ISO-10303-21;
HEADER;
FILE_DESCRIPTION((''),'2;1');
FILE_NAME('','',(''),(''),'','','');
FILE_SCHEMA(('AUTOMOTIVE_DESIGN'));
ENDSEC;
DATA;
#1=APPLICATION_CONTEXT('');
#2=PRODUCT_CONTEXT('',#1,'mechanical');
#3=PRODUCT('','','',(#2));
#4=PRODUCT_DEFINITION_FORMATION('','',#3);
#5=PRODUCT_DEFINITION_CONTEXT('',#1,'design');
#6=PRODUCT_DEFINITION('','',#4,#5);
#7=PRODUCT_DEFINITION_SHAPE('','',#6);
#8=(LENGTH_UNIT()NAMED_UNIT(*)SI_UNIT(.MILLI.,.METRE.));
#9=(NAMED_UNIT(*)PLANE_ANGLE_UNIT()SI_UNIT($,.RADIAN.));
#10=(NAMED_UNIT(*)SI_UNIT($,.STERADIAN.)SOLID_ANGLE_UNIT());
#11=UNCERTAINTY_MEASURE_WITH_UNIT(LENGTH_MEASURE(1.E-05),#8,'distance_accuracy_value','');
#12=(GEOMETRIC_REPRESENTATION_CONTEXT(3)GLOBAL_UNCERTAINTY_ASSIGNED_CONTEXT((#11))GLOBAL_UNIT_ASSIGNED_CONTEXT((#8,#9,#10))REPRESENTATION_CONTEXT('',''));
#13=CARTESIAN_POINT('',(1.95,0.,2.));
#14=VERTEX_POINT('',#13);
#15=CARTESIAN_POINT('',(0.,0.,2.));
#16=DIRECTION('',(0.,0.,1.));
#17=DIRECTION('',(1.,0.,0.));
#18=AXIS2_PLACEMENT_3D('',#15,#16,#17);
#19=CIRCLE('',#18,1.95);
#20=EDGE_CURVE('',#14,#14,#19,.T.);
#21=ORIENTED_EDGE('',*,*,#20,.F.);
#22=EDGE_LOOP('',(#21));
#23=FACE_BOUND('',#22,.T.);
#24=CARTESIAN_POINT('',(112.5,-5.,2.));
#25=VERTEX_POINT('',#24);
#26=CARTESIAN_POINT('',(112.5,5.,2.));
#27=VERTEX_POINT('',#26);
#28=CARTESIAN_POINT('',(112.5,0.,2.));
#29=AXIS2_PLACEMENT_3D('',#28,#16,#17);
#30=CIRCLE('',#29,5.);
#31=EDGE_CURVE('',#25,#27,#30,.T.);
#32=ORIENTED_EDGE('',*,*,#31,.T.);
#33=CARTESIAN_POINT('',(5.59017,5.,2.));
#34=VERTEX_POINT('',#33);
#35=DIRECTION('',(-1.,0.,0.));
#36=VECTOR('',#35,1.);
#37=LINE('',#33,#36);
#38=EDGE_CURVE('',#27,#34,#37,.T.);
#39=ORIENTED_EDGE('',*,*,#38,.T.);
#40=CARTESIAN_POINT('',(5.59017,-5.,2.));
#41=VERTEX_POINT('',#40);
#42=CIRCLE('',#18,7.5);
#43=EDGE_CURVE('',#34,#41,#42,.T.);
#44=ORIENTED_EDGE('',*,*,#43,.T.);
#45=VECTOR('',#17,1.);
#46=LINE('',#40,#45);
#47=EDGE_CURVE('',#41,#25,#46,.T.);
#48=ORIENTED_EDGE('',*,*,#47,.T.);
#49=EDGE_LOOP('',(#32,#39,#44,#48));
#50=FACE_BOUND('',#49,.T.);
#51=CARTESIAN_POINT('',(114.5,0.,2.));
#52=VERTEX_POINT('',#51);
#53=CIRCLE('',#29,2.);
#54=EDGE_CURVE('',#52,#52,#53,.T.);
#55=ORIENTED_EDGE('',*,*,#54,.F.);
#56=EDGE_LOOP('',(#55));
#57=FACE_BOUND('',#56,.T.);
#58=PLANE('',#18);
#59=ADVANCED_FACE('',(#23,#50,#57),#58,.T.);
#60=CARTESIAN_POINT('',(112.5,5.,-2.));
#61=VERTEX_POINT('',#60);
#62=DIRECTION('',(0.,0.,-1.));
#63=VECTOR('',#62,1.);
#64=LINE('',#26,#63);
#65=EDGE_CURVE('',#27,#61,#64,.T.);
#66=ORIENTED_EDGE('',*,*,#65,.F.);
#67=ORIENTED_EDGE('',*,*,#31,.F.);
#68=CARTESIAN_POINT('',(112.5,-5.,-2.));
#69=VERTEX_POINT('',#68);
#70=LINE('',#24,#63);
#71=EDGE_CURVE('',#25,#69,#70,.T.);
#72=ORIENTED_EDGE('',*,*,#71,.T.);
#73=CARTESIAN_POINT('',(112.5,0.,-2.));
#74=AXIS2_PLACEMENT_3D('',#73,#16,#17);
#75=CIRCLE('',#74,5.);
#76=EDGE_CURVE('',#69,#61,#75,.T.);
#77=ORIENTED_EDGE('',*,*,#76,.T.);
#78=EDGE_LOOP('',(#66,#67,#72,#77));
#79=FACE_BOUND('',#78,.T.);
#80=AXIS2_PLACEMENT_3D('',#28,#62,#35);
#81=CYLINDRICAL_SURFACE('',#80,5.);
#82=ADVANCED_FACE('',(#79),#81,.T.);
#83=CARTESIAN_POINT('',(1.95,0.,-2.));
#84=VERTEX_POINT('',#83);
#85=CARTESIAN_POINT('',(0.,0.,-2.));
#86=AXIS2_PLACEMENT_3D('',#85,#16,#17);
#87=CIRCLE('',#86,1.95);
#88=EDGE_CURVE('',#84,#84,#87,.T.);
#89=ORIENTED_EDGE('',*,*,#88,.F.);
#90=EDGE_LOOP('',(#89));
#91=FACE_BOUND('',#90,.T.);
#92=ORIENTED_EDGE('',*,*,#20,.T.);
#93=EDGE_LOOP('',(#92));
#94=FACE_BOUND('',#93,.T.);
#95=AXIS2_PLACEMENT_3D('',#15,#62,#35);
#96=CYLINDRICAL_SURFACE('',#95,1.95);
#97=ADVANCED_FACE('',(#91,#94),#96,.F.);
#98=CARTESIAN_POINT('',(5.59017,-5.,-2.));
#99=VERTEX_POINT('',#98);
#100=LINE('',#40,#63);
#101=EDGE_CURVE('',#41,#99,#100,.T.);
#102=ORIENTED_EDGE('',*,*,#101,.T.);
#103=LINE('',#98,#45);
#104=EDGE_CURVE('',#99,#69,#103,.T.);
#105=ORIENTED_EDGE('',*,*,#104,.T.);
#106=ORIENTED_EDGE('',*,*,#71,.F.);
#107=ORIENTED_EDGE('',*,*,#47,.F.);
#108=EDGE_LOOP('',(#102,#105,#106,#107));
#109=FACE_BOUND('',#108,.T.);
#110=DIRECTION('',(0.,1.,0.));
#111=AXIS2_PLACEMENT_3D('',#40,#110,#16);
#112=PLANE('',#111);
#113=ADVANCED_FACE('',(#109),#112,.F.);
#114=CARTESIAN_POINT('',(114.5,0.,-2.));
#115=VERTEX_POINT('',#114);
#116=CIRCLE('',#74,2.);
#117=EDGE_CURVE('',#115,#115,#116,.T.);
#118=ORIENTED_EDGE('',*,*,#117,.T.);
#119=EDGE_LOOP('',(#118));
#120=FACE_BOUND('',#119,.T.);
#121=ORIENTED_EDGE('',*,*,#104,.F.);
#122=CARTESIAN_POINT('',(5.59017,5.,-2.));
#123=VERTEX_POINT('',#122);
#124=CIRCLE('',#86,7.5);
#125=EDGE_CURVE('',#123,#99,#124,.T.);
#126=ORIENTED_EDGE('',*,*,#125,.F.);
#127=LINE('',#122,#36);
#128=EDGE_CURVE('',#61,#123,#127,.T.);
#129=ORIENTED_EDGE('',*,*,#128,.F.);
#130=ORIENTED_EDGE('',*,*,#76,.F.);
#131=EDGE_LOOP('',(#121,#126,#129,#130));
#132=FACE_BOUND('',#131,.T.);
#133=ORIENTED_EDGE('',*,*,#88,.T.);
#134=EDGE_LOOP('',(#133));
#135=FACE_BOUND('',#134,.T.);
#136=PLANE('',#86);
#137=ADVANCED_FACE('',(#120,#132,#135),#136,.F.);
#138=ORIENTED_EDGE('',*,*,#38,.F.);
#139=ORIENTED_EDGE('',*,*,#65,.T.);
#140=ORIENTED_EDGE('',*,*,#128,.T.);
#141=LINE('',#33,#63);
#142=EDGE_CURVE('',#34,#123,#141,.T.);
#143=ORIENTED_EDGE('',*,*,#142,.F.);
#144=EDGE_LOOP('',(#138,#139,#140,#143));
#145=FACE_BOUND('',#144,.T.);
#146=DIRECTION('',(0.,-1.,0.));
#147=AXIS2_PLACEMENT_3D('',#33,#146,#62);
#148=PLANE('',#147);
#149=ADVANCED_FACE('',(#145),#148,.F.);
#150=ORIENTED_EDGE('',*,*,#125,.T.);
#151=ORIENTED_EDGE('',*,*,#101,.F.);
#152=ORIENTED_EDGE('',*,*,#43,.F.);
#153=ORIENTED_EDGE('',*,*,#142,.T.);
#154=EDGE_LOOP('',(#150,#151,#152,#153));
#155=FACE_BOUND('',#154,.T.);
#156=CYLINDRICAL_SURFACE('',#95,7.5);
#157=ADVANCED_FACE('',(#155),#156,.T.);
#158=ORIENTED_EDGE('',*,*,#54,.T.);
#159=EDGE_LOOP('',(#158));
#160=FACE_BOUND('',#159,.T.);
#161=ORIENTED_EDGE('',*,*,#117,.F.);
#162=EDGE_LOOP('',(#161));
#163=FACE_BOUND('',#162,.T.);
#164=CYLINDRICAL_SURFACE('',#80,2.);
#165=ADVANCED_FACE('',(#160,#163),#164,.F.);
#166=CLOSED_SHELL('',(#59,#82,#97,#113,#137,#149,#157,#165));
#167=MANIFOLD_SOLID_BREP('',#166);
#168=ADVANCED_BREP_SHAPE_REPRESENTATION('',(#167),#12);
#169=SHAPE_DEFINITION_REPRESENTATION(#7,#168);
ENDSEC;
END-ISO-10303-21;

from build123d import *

# Parameters (mm, degrees)
SKETCH_1_R      = 2
SKETCH_1_R_2    = 1.95
EXTRUDE_1_DEPTH = 2


with BuildPart() as part:
    # 草图1 → 凸台-拉伸1 (new, symmetric)
    with BuildSketch(Plane.XY):
        with BuildLine():
            Line((5.590169944, 5), (112.5, 5))
            ThreePointArc((112.5, 5), (117.5, 0), (112.5, -5))
            Line((112.5, -5), (5.590169944, -5))
            ThreePointArc((5.590169944, -5), (-7.5, 0), (5.590169944, 5))
        make_face()
        with Locations((112.5, 0)):
            Circle(SKETCH_1_R, mode=Mode.SUBTRACT)
        Circle(SKETCH_1_R_2, mode=Mode.SUBTRACT)
    extrude(amount=EXTRUDE_1_DEPTH, both=True)


solid = part.part
